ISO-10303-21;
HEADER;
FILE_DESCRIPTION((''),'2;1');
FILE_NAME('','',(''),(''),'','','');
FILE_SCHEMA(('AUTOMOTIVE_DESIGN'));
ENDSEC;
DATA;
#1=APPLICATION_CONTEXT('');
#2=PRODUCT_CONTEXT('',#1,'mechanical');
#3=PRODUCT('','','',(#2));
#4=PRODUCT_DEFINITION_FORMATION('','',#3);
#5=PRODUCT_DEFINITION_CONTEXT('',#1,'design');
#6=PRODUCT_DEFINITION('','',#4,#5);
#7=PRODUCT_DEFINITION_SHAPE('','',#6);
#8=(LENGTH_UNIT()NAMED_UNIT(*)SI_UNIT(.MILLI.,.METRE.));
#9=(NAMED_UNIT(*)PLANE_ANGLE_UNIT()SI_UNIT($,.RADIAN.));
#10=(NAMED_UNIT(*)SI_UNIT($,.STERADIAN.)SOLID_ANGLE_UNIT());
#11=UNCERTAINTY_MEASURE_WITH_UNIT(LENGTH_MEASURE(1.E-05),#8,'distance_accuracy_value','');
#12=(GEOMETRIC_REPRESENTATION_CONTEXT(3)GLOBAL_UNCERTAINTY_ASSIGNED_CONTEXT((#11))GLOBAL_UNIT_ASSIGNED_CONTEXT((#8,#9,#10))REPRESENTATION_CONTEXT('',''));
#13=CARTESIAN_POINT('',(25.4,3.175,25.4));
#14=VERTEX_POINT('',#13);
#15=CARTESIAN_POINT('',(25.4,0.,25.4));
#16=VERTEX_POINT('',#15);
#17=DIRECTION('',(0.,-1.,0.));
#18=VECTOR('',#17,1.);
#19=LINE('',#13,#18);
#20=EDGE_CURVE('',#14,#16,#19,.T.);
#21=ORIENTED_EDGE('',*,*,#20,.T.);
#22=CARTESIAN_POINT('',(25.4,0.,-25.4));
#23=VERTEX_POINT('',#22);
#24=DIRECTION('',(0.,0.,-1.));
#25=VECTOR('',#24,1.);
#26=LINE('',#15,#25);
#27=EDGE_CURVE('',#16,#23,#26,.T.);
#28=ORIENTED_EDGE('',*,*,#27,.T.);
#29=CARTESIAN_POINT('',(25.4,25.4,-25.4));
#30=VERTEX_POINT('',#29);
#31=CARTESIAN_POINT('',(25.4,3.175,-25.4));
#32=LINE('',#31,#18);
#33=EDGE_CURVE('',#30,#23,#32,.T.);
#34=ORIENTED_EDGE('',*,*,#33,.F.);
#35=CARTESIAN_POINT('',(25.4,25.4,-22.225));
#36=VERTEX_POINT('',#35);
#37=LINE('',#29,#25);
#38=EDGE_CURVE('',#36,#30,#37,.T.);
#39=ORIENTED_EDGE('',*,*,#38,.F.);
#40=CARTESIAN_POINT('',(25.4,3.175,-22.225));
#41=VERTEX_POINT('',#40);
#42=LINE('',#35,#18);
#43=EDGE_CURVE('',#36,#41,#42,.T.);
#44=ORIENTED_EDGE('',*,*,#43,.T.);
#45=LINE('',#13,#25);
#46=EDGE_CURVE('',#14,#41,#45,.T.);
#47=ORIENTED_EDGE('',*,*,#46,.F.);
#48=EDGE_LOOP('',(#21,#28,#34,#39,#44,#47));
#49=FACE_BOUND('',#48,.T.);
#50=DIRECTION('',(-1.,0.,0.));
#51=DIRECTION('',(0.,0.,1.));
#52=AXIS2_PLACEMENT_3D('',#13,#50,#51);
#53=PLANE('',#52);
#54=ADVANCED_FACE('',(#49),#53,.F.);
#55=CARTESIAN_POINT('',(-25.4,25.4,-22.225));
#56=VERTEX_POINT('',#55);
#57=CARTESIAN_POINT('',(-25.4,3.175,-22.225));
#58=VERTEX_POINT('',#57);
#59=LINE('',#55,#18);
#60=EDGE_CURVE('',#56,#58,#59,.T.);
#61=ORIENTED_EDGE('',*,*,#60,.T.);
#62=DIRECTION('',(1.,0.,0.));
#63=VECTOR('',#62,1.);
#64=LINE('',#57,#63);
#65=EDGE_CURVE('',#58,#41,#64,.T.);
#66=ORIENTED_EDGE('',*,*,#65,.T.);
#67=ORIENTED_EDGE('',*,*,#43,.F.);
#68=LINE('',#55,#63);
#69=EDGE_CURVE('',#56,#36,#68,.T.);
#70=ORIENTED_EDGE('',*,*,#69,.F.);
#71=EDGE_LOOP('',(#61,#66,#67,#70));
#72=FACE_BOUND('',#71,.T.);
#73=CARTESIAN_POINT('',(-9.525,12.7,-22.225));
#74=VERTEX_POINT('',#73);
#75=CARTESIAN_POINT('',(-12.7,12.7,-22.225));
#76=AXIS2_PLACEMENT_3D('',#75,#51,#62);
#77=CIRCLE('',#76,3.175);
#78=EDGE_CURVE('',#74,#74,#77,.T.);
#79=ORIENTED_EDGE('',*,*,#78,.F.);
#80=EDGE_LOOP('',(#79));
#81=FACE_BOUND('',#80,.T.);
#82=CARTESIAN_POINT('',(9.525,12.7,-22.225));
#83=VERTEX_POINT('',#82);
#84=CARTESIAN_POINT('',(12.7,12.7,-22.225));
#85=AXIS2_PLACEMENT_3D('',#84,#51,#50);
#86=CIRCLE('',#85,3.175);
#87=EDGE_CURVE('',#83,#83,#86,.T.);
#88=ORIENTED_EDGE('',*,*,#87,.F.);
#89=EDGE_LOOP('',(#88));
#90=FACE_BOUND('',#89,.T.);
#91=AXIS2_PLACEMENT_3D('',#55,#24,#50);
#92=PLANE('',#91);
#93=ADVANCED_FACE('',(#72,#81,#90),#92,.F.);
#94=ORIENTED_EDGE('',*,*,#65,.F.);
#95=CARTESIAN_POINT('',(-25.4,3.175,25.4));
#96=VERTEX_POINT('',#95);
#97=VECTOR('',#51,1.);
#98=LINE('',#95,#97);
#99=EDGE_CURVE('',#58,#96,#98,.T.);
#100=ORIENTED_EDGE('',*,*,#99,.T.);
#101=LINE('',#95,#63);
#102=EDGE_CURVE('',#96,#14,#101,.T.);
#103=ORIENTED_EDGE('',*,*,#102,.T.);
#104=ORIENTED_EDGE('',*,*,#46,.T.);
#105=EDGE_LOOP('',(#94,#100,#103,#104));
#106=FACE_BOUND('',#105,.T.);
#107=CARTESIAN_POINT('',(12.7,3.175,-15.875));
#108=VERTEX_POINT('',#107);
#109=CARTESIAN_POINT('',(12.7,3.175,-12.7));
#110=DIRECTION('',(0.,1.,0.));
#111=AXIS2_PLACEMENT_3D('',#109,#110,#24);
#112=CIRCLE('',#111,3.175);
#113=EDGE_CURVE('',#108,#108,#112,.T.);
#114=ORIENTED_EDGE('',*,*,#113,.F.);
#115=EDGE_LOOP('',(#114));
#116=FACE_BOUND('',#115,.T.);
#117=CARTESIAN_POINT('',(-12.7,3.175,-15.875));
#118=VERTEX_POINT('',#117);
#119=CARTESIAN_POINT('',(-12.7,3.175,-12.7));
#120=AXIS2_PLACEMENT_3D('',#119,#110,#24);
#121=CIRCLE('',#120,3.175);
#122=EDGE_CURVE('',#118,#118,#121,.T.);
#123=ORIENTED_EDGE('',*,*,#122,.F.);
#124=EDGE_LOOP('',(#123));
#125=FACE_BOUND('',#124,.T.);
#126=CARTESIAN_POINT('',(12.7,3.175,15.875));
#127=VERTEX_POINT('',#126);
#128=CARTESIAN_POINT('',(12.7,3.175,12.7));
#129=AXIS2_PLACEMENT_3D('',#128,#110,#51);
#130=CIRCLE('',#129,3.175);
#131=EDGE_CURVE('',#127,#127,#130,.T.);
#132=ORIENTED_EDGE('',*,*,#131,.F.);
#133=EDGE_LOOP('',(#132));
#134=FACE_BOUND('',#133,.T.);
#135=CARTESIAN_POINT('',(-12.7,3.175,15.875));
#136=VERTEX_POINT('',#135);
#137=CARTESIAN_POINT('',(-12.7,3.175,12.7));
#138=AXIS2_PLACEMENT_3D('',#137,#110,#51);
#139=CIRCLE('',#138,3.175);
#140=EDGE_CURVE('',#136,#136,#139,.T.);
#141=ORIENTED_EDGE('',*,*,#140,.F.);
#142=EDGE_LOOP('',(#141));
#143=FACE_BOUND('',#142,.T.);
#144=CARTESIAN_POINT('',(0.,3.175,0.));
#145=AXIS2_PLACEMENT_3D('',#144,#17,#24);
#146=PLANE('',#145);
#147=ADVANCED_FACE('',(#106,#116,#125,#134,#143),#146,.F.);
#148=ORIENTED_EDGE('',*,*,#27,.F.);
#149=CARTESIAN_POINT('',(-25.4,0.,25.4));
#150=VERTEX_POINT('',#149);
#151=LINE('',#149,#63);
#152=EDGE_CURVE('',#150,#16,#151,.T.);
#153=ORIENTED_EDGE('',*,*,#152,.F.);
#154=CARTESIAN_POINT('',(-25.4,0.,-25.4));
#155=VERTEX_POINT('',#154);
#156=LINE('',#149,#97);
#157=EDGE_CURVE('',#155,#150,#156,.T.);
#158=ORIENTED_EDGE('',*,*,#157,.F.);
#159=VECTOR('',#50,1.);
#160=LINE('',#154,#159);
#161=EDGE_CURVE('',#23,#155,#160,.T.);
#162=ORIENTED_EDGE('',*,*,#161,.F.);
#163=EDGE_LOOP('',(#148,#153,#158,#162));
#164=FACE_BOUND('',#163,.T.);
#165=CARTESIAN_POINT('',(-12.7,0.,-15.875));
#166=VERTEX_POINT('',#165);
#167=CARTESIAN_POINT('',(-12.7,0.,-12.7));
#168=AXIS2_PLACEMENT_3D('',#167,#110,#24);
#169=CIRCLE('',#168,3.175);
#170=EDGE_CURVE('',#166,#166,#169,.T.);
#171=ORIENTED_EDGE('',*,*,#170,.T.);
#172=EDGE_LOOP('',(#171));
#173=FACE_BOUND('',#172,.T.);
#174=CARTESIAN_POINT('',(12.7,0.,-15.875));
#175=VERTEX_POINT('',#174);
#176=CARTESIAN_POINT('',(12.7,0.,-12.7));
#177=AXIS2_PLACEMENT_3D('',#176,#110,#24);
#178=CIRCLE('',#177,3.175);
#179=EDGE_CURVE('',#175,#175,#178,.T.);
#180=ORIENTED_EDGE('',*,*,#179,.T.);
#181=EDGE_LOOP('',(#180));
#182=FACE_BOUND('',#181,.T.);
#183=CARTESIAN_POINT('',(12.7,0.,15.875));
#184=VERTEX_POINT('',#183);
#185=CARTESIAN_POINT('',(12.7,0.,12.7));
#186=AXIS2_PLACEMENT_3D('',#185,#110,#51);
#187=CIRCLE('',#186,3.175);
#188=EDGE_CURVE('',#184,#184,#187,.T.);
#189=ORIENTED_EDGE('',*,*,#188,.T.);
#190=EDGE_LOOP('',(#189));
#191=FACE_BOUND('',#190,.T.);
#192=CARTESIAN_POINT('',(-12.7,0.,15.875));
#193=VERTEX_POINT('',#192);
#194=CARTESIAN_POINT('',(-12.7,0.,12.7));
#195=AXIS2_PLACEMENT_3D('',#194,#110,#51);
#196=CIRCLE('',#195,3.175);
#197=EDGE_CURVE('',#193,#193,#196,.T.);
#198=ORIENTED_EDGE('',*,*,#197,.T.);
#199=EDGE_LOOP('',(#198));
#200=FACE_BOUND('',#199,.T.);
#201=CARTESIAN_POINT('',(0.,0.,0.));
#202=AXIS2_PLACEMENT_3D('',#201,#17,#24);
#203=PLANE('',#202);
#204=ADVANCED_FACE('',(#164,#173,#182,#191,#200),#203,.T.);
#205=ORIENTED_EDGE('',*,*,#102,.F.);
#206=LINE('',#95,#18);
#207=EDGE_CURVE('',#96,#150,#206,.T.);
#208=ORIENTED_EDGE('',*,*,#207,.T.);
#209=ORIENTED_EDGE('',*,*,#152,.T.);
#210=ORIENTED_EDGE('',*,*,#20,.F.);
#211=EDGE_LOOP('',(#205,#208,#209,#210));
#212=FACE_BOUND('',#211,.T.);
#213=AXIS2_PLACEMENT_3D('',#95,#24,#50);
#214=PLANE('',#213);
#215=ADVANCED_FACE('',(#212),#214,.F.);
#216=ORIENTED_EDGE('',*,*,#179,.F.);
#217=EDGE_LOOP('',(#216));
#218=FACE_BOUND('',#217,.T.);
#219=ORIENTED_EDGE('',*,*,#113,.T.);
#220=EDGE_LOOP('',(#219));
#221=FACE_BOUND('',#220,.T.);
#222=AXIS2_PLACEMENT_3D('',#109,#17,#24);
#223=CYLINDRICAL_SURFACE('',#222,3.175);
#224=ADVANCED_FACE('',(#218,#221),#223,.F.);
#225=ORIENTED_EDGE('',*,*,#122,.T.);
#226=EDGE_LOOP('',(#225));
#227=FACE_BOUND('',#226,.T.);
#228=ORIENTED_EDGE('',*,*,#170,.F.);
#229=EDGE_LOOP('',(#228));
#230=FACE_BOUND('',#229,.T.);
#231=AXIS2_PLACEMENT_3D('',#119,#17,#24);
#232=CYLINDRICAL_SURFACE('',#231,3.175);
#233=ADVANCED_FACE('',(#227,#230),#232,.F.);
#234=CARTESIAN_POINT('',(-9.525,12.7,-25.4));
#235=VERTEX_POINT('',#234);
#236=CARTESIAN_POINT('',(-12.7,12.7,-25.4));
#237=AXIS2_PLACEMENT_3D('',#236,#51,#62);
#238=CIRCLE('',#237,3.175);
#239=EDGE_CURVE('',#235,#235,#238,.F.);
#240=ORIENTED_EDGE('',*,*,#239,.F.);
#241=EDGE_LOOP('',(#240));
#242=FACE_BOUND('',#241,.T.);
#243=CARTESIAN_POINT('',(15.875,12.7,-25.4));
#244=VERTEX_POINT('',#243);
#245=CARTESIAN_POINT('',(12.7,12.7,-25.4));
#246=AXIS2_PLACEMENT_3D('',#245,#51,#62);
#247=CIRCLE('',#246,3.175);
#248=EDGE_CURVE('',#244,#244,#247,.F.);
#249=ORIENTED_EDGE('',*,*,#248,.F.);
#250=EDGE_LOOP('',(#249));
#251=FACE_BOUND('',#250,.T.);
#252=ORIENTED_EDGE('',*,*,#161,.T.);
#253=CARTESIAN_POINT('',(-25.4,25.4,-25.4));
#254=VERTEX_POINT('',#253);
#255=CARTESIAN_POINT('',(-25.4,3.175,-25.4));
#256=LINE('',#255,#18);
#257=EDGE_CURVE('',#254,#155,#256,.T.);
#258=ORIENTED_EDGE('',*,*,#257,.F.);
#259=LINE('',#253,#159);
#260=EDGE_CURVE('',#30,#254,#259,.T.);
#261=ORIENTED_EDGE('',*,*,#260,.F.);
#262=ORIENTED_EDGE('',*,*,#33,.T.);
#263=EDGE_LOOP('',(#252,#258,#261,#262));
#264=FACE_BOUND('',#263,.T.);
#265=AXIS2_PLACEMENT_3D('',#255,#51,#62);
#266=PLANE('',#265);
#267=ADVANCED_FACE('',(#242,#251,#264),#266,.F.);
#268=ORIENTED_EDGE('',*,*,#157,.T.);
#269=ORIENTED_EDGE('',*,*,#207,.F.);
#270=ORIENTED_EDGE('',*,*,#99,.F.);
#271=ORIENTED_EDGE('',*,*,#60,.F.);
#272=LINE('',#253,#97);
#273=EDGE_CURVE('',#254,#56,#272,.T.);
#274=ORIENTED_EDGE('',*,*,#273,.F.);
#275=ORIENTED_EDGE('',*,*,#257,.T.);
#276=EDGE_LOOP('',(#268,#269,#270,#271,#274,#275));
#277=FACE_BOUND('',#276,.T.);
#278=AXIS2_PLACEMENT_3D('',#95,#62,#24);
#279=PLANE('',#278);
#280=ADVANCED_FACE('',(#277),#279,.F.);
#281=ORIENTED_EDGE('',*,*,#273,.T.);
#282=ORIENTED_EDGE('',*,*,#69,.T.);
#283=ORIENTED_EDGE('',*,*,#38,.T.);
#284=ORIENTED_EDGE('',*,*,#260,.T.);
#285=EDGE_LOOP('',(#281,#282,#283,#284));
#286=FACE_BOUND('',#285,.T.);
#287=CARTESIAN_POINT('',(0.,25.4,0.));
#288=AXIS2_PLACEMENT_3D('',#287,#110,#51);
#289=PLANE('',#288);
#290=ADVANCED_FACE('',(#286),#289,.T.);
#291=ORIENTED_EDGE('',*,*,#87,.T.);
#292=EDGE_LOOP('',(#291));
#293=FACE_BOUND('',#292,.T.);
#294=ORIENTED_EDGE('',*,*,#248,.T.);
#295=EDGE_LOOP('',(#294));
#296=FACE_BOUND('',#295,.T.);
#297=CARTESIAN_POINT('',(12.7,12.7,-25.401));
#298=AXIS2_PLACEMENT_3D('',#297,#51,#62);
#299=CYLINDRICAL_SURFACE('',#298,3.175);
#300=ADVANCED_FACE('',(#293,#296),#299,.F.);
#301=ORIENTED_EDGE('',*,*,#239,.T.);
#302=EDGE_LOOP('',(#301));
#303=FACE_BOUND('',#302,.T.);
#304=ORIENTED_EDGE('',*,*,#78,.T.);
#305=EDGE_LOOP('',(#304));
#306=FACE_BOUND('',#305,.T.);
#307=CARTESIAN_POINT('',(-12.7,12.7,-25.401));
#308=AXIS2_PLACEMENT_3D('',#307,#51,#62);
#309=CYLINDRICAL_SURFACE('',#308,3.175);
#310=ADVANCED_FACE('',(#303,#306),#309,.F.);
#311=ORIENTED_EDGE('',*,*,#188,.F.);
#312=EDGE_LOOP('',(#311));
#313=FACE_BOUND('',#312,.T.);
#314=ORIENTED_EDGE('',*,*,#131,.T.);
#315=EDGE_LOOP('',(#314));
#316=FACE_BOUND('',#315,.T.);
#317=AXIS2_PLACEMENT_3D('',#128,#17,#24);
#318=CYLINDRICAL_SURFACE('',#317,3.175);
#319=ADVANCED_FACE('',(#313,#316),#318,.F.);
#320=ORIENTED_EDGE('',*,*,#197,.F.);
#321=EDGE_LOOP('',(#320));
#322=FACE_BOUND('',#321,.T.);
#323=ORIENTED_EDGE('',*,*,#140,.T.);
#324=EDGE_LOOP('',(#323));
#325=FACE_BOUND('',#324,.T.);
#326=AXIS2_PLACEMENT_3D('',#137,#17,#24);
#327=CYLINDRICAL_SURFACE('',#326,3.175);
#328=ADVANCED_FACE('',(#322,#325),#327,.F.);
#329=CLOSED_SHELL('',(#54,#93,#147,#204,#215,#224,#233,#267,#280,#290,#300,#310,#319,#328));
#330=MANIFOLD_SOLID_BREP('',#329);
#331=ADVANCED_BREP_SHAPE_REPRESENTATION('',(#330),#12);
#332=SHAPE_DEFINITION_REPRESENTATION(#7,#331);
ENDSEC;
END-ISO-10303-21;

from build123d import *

# Parameters (mm, degrees)
SKETCH1_W           = 50.8
SKETCH1_H           = 50.8
SKETCH1_R           = 3.175
BOSS_EXTRUDE1_DEPTH = 3.175
SKETCH2_W           = 50.8
SKETCH2_H           = 3.175
BOSS_EXTRUDE2_DEPTH = 22.225
CUT_EXTRUDE1_REACH  = 61.653
SKETCH3_R           = 3.175


with BuildPart() as part:
    # Sketch1 → Boss-Extrude1 (new body)
    with BuildSketch(Plane(origin=(0, 0, 0), x_dir=(1, 0, 0), z_dir=(0, 1, 0))):
        Rectangle(SKETCH1_W, SKETCH1_H)
        with Locations(Location((-12.7, -12.7, 0), (0, 0, 270))):
            Circle(SKETCH1_R, mode=Mode.SUBTRACT)
        with Locations(Location((12.7, 12.7, 0), (0, 0, 90))):
            Circle(SKETCH1_R, mode=Mode.SUBTRACT)
        with Locations(Location((12.7, -12.7, 0), (0, 0, 270))):
            Circle(SKETCH1_R, mode=Mode.SUBTRACT)
        with Locations(Location((-12.7, 12.7, 0), (0, 0, 90))):
            Circle(SKETCH1_R, mode=Mode.SUBTRACT)
    extrude(amount=BOSS_EXTRUDE1_DEPTH)

    # Sketch2 → Boss-Extrude2 (add)
    with BuildSketch(Plane(origin=(0, 3.175, 0), x_dir=(1, 0, 0), z_dir=(0, 1, 0))):
        with Locations((0, 23.8125)):
            Rectangle(SKETCH2_W, SKETCH2_H)
    extrude(amount=BOSS_EXTRUDE2_DEPTH)

    # Sketch3 → Cut-Extrude1 (cut, up to next)
    with BuildSketch(Plane.XY.offset(-22.225), mode=Mode.PRIVATE) as cut_extrude1_sk1:
        with Locations((-12.7, 12.7)):
            Circle(SKETCH3_R)
    cut_extrude1_tool1 = extrude(cut_extrude1_sk1.sketch, amount=-CUT_EXTRUDE1_REACH, mode=Mode.PRIVATE) & part.part
    # Sketch3 → Cut-Extrude1 (cut, up to next)
    with BuildSketch(Plane.XY.offset(-22.225), mode=Mode.PRIVATE) as cut_extrude1_sk2:
        with Locations((12.7, 12.7)):
            Circle(SKETCH3_R)
    cut_extrude1_tool2 = extrude(cut_extrude1_sk2.sketch, amount=-CUT_EXTRUDE1_REACH, mode=Mode.PRIVATE) & part.part
    add(cut_extrude1_tool1.solids().sort_by_distance((-12.7, 12.7, -22.225))[0], mode=Mode.SUBTRACT)
    add(cut_extrude1_tool2.solids().sort_by_distance((12.7, 12.7, -22.225))[0], mode=Mode.SUBTRACT)


solid = part.part
